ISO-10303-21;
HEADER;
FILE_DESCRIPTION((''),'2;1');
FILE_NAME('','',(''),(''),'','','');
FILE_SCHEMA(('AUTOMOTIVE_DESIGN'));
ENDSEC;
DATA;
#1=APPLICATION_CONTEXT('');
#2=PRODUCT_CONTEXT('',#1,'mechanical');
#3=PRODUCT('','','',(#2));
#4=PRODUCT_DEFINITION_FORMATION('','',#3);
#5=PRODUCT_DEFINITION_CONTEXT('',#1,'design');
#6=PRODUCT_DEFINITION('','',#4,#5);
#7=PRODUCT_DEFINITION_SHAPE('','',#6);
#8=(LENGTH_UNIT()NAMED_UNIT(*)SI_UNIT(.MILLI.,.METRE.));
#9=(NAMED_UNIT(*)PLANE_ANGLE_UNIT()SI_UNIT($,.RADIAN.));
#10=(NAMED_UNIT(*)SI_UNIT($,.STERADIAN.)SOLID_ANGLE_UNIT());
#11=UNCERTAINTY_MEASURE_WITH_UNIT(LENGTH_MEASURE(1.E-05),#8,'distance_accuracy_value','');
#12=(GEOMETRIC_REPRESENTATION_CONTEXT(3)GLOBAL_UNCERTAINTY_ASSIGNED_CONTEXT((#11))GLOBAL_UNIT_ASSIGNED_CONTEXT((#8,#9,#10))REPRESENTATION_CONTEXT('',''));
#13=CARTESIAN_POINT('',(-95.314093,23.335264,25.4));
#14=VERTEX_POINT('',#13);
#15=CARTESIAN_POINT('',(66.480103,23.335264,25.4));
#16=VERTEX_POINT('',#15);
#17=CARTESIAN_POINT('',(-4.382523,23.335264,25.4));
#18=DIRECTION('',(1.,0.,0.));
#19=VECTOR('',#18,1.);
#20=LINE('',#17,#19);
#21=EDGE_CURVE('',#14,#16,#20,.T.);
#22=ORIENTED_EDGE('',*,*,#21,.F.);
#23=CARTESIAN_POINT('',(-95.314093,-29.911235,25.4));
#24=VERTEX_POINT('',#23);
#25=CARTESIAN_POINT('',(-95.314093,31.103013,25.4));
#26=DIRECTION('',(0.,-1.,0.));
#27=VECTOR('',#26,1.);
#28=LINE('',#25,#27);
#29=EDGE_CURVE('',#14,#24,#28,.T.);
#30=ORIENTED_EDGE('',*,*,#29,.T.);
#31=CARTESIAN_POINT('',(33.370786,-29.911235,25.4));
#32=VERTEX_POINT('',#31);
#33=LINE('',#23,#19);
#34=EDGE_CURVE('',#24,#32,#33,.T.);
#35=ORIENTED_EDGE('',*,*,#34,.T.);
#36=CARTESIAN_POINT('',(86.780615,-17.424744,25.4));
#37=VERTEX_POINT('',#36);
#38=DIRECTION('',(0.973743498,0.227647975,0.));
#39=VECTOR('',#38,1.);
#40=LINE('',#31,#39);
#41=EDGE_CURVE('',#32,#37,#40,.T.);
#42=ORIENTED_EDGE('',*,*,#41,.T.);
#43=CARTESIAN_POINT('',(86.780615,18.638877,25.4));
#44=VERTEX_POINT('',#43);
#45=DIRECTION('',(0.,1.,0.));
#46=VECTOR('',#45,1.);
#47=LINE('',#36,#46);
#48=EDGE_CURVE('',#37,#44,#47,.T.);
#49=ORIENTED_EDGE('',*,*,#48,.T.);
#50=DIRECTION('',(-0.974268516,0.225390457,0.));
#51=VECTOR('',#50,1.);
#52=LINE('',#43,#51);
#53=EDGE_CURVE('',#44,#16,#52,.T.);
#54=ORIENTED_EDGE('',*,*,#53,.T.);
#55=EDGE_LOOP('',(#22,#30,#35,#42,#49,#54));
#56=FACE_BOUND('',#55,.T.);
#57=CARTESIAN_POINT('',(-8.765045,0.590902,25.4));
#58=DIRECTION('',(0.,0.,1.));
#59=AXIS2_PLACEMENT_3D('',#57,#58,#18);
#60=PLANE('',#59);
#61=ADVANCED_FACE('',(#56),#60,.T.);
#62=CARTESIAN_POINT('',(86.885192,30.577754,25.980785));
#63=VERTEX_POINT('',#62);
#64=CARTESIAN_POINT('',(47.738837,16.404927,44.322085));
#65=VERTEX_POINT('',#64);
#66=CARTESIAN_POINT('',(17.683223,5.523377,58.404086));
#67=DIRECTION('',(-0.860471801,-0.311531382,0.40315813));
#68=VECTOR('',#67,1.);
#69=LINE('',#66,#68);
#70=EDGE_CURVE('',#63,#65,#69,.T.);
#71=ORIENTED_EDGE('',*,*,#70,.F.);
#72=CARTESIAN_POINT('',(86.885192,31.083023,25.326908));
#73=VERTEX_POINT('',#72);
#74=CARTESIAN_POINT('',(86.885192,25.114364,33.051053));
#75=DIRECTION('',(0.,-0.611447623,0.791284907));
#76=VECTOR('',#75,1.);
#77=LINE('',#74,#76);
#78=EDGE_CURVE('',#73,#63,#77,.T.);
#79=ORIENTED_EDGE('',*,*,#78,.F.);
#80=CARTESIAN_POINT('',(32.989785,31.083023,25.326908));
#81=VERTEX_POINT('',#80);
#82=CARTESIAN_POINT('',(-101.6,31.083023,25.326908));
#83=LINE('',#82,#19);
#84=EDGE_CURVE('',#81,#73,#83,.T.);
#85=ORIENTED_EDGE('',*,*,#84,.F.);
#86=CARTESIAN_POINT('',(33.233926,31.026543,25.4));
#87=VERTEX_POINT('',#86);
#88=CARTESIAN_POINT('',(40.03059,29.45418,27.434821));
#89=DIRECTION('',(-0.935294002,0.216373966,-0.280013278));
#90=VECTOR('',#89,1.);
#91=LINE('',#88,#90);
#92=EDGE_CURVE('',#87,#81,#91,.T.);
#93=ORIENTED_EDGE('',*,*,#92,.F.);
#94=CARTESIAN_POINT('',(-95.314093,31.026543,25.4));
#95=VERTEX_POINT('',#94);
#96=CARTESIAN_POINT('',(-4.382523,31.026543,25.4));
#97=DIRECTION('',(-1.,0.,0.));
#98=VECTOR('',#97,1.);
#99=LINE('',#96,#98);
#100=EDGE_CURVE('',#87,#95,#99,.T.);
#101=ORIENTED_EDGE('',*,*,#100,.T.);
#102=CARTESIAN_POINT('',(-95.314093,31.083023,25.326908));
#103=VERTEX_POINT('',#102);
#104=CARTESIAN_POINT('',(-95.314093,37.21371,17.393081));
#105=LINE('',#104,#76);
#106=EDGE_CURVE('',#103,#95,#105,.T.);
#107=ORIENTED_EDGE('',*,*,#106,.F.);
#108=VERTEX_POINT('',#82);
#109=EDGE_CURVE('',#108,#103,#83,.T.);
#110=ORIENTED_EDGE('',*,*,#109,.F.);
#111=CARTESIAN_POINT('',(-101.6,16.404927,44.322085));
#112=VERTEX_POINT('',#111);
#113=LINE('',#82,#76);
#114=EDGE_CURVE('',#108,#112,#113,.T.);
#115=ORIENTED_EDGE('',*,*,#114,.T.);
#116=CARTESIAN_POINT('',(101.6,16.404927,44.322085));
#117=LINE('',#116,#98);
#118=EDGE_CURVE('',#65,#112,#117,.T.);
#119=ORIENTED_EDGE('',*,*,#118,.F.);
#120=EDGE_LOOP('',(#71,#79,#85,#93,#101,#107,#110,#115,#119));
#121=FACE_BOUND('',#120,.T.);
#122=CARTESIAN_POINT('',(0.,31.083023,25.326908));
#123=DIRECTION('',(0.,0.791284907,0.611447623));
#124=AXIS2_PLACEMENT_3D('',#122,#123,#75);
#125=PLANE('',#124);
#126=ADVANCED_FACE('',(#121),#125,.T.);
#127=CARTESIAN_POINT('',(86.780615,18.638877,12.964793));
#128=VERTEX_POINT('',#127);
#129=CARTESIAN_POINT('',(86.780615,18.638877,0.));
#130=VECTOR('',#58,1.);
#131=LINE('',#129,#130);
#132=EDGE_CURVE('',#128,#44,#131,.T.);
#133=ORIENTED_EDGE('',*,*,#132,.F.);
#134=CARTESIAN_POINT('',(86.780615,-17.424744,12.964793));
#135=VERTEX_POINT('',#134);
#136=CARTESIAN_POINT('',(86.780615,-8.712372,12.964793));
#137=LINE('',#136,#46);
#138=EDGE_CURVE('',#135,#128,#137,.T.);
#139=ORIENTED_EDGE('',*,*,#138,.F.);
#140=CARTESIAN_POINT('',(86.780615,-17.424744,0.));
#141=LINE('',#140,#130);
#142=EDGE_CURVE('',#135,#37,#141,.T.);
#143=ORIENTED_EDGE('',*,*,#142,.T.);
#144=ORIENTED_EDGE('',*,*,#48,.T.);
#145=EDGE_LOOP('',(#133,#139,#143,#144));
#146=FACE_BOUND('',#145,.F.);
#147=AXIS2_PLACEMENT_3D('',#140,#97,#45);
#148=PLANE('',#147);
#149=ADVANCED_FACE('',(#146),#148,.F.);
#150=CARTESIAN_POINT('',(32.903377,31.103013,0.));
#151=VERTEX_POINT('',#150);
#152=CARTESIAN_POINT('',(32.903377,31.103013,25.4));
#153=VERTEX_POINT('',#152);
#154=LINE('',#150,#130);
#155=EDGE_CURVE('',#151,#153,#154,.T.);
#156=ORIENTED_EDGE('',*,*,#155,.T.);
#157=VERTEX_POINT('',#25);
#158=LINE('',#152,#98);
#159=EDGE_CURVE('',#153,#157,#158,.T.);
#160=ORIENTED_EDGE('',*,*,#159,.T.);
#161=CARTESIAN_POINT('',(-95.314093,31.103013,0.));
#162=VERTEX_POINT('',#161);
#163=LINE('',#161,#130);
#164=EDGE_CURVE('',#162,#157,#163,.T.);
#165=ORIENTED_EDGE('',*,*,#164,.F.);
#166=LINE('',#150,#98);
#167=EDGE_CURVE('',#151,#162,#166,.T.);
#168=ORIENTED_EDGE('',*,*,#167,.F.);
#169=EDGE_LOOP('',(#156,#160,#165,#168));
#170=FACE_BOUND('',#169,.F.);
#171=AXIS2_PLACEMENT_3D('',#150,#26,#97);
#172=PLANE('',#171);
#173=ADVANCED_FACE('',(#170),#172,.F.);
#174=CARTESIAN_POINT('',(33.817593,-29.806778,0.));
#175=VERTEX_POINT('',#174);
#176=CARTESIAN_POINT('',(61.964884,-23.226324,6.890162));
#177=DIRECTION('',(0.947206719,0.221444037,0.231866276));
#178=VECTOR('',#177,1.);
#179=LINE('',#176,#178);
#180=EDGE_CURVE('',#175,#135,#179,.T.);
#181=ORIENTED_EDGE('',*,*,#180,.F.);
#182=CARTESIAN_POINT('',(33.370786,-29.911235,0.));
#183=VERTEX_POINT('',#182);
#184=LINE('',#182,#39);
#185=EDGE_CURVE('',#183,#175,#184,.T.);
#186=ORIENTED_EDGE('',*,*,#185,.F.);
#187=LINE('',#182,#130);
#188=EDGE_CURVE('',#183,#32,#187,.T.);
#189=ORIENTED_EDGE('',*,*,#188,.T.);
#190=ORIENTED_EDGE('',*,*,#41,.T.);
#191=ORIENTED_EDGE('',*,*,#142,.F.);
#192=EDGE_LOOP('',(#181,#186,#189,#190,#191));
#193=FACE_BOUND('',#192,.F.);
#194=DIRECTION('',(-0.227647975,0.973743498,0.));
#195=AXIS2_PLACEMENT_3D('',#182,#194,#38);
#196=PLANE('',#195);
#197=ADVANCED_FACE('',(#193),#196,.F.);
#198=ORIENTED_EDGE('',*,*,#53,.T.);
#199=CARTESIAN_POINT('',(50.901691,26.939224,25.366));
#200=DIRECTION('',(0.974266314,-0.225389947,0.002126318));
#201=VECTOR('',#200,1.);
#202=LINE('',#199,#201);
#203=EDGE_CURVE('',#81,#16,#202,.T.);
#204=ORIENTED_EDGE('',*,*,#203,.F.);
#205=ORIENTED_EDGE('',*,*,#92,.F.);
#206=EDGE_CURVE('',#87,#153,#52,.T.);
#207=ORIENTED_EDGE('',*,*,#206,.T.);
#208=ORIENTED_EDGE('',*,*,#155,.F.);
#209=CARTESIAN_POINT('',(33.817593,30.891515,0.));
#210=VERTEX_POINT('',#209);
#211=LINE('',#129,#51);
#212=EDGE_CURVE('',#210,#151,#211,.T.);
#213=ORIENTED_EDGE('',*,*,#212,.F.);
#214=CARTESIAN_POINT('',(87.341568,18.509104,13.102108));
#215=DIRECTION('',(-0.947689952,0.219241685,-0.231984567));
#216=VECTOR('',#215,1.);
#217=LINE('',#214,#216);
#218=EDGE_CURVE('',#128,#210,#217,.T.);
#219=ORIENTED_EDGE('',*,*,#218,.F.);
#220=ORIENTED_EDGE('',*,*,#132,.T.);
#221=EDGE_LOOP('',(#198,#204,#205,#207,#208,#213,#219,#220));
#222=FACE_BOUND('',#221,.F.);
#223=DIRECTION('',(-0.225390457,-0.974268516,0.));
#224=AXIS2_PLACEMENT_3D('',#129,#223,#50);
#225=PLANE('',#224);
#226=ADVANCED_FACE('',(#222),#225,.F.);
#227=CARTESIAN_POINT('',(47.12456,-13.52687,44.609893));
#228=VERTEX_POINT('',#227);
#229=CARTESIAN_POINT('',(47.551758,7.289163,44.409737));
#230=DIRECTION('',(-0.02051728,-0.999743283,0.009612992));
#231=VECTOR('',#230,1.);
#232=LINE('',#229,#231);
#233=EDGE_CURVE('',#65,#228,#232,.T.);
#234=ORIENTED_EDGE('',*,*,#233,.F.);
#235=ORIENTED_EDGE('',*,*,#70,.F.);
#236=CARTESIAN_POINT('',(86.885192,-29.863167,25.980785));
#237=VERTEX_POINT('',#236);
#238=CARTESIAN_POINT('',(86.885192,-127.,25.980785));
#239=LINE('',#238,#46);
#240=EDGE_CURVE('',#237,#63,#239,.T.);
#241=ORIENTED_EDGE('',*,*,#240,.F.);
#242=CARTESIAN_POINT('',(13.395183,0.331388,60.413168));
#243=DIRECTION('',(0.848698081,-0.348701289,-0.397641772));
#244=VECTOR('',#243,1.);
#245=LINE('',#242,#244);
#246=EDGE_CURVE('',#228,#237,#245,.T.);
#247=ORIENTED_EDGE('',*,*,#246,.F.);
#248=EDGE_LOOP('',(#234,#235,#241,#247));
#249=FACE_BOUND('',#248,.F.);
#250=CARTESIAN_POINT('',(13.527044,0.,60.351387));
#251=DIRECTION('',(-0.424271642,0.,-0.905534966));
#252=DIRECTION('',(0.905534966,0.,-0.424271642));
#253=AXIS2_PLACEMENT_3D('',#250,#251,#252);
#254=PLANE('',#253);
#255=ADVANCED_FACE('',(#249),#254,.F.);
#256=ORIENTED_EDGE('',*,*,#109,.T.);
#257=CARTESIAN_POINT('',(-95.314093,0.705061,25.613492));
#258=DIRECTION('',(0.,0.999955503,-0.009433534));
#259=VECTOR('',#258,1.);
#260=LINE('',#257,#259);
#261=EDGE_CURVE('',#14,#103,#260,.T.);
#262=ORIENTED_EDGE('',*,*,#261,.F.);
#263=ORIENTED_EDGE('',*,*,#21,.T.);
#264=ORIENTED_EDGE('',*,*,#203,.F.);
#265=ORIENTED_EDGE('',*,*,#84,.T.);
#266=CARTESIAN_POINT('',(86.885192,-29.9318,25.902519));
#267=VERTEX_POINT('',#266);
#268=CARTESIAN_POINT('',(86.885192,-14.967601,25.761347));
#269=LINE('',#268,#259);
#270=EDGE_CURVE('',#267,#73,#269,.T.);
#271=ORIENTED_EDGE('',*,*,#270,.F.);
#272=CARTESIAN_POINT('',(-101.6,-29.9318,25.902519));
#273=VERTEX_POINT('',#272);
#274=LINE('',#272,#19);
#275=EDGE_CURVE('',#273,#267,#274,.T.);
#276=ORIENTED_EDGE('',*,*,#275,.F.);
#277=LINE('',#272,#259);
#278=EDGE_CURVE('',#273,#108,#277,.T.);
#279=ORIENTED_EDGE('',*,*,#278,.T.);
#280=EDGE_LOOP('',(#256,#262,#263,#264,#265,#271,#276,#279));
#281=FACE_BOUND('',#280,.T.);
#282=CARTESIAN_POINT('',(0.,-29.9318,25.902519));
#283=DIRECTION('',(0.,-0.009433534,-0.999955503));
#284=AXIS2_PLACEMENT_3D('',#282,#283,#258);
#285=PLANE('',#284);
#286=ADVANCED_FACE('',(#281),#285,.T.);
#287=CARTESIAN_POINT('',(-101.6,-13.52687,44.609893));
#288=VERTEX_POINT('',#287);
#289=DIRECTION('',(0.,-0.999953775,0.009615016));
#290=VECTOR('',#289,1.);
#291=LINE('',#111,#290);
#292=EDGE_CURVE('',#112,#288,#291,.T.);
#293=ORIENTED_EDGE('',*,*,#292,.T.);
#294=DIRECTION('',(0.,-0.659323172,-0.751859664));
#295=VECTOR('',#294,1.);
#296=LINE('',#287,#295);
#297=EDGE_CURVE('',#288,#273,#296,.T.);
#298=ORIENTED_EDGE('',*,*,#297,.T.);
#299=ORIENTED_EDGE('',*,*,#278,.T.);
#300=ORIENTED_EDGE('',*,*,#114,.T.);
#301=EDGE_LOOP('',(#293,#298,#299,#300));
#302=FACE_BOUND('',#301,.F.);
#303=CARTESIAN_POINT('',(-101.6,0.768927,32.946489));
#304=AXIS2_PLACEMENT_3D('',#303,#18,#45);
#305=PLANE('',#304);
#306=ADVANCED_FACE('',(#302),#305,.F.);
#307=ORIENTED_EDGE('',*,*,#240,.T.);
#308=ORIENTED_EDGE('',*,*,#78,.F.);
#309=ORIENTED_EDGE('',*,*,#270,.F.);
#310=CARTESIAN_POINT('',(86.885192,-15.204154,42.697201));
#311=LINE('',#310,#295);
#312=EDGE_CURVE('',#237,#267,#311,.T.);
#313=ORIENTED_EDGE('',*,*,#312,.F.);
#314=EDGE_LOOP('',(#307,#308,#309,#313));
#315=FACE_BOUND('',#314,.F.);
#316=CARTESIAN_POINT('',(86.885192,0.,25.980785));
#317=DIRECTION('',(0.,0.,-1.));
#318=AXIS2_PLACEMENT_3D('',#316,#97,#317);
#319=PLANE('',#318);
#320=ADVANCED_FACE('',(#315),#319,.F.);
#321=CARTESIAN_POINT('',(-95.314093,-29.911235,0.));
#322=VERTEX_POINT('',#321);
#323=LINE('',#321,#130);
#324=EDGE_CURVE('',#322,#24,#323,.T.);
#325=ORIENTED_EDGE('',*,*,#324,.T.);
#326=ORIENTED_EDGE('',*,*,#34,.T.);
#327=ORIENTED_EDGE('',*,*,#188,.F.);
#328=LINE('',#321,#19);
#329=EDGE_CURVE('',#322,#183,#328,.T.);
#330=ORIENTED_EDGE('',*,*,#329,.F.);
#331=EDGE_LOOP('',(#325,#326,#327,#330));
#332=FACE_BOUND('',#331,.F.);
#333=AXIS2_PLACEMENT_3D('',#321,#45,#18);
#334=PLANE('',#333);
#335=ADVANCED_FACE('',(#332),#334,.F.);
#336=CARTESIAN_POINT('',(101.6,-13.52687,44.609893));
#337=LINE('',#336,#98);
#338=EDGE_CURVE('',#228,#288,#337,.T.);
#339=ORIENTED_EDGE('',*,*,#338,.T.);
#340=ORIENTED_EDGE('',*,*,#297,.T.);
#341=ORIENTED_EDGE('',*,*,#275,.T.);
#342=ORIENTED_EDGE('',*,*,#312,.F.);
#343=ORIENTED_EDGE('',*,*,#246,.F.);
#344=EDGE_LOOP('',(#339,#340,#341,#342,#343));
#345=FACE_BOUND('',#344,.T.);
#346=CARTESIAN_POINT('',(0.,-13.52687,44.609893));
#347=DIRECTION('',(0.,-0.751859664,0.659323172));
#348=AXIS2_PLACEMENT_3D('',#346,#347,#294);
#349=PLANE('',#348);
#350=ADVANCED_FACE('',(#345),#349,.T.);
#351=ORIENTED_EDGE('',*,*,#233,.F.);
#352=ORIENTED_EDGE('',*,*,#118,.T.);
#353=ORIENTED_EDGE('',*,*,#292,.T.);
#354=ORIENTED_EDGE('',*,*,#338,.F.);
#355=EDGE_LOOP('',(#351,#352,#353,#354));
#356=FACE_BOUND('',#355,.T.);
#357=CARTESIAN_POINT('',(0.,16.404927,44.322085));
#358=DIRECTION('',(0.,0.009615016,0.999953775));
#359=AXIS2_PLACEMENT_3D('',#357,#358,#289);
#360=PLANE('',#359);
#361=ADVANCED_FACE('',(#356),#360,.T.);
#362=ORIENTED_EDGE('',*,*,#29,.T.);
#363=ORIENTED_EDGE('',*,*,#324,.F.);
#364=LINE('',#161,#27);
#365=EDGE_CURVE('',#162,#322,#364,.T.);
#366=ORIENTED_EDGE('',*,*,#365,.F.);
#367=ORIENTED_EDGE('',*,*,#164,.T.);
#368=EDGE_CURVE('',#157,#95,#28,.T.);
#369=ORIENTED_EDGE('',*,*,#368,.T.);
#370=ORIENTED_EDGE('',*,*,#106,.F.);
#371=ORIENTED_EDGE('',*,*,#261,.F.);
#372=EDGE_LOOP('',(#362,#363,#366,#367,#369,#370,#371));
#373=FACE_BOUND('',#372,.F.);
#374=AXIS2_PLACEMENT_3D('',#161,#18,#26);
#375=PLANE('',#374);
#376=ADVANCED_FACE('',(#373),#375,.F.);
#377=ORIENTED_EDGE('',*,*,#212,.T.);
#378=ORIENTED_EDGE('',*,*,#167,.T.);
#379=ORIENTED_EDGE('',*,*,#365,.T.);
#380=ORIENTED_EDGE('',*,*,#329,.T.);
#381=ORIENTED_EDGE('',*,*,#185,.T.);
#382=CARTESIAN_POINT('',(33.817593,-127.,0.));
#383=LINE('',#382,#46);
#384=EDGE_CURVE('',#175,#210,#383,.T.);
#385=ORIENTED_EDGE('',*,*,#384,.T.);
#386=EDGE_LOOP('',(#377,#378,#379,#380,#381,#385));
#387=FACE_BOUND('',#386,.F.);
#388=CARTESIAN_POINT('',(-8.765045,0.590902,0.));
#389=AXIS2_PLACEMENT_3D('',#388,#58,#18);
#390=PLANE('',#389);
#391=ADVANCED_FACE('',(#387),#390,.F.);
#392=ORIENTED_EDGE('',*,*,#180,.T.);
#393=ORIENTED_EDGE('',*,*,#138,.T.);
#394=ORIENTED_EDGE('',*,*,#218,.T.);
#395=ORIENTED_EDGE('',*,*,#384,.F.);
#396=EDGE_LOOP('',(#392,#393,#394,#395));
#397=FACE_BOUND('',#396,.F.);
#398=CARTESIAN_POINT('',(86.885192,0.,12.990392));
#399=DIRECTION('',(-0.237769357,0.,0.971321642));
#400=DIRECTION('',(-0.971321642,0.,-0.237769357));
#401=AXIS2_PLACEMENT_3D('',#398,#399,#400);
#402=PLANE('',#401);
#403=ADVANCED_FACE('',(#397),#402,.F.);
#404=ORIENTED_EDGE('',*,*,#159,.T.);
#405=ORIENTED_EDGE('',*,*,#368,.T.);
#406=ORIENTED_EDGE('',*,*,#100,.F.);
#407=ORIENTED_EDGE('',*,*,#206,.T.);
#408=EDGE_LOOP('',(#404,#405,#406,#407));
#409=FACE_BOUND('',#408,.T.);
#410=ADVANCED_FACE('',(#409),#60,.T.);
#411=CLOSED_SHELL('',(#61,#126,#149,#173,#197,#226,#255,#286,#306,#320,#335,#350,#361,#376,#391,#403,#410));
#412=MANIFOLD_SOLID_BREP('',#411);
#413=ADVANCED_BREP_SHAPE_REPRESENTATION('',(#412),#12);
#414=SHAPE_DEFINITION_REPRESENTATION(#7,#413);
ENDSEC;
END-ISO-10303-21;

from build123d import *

# Parameters (mm, degrees)
F1_DEPTH = 25.4
F3_DEPTH = 101.6
F5_DEPTH = 127


with BuildPart() as f1:
    # F0 (on Top) → F1 (new body)
    with BuildSketch(Plane.XY):
        Polygon((32.903377, 31.103013), (-95.314093, 31.103013), (-95.314093, -29.911235), (33.370786, -29.911235), (86.780615, -17.424744), (86.780615, 18.638877), align=None)
    extrude(amount=F1_DEPTH)

    # F2 (on Right) → F3 (join, symmetric)
    with BuildSketch(Plane.YZ):
        Polygon((-13.52687, 44.609893), (-29.9318, 25.902519), (31.083023, 25.326908), (16.404927, 44.322085), align=None)
    extrude(amount=F3_DEPTH, both=True)

    # F4 (on Front) → F5 (cut, symmetric)
    with BuildSketch(Plane.XZ):
        Polygon((33.817593, 0), (86.885192, 0), (110.29736, 0), (110.29736, 60.351387), (87.925732, 60.351387), (13.527044, 60.351387), (86.885192, 25.980785), (86.885192, 12.990392), align=None)
    extrude(amount=F5_DEPTH, both=True, mode=Mode.SUBTRACT)


solid = f1.part
